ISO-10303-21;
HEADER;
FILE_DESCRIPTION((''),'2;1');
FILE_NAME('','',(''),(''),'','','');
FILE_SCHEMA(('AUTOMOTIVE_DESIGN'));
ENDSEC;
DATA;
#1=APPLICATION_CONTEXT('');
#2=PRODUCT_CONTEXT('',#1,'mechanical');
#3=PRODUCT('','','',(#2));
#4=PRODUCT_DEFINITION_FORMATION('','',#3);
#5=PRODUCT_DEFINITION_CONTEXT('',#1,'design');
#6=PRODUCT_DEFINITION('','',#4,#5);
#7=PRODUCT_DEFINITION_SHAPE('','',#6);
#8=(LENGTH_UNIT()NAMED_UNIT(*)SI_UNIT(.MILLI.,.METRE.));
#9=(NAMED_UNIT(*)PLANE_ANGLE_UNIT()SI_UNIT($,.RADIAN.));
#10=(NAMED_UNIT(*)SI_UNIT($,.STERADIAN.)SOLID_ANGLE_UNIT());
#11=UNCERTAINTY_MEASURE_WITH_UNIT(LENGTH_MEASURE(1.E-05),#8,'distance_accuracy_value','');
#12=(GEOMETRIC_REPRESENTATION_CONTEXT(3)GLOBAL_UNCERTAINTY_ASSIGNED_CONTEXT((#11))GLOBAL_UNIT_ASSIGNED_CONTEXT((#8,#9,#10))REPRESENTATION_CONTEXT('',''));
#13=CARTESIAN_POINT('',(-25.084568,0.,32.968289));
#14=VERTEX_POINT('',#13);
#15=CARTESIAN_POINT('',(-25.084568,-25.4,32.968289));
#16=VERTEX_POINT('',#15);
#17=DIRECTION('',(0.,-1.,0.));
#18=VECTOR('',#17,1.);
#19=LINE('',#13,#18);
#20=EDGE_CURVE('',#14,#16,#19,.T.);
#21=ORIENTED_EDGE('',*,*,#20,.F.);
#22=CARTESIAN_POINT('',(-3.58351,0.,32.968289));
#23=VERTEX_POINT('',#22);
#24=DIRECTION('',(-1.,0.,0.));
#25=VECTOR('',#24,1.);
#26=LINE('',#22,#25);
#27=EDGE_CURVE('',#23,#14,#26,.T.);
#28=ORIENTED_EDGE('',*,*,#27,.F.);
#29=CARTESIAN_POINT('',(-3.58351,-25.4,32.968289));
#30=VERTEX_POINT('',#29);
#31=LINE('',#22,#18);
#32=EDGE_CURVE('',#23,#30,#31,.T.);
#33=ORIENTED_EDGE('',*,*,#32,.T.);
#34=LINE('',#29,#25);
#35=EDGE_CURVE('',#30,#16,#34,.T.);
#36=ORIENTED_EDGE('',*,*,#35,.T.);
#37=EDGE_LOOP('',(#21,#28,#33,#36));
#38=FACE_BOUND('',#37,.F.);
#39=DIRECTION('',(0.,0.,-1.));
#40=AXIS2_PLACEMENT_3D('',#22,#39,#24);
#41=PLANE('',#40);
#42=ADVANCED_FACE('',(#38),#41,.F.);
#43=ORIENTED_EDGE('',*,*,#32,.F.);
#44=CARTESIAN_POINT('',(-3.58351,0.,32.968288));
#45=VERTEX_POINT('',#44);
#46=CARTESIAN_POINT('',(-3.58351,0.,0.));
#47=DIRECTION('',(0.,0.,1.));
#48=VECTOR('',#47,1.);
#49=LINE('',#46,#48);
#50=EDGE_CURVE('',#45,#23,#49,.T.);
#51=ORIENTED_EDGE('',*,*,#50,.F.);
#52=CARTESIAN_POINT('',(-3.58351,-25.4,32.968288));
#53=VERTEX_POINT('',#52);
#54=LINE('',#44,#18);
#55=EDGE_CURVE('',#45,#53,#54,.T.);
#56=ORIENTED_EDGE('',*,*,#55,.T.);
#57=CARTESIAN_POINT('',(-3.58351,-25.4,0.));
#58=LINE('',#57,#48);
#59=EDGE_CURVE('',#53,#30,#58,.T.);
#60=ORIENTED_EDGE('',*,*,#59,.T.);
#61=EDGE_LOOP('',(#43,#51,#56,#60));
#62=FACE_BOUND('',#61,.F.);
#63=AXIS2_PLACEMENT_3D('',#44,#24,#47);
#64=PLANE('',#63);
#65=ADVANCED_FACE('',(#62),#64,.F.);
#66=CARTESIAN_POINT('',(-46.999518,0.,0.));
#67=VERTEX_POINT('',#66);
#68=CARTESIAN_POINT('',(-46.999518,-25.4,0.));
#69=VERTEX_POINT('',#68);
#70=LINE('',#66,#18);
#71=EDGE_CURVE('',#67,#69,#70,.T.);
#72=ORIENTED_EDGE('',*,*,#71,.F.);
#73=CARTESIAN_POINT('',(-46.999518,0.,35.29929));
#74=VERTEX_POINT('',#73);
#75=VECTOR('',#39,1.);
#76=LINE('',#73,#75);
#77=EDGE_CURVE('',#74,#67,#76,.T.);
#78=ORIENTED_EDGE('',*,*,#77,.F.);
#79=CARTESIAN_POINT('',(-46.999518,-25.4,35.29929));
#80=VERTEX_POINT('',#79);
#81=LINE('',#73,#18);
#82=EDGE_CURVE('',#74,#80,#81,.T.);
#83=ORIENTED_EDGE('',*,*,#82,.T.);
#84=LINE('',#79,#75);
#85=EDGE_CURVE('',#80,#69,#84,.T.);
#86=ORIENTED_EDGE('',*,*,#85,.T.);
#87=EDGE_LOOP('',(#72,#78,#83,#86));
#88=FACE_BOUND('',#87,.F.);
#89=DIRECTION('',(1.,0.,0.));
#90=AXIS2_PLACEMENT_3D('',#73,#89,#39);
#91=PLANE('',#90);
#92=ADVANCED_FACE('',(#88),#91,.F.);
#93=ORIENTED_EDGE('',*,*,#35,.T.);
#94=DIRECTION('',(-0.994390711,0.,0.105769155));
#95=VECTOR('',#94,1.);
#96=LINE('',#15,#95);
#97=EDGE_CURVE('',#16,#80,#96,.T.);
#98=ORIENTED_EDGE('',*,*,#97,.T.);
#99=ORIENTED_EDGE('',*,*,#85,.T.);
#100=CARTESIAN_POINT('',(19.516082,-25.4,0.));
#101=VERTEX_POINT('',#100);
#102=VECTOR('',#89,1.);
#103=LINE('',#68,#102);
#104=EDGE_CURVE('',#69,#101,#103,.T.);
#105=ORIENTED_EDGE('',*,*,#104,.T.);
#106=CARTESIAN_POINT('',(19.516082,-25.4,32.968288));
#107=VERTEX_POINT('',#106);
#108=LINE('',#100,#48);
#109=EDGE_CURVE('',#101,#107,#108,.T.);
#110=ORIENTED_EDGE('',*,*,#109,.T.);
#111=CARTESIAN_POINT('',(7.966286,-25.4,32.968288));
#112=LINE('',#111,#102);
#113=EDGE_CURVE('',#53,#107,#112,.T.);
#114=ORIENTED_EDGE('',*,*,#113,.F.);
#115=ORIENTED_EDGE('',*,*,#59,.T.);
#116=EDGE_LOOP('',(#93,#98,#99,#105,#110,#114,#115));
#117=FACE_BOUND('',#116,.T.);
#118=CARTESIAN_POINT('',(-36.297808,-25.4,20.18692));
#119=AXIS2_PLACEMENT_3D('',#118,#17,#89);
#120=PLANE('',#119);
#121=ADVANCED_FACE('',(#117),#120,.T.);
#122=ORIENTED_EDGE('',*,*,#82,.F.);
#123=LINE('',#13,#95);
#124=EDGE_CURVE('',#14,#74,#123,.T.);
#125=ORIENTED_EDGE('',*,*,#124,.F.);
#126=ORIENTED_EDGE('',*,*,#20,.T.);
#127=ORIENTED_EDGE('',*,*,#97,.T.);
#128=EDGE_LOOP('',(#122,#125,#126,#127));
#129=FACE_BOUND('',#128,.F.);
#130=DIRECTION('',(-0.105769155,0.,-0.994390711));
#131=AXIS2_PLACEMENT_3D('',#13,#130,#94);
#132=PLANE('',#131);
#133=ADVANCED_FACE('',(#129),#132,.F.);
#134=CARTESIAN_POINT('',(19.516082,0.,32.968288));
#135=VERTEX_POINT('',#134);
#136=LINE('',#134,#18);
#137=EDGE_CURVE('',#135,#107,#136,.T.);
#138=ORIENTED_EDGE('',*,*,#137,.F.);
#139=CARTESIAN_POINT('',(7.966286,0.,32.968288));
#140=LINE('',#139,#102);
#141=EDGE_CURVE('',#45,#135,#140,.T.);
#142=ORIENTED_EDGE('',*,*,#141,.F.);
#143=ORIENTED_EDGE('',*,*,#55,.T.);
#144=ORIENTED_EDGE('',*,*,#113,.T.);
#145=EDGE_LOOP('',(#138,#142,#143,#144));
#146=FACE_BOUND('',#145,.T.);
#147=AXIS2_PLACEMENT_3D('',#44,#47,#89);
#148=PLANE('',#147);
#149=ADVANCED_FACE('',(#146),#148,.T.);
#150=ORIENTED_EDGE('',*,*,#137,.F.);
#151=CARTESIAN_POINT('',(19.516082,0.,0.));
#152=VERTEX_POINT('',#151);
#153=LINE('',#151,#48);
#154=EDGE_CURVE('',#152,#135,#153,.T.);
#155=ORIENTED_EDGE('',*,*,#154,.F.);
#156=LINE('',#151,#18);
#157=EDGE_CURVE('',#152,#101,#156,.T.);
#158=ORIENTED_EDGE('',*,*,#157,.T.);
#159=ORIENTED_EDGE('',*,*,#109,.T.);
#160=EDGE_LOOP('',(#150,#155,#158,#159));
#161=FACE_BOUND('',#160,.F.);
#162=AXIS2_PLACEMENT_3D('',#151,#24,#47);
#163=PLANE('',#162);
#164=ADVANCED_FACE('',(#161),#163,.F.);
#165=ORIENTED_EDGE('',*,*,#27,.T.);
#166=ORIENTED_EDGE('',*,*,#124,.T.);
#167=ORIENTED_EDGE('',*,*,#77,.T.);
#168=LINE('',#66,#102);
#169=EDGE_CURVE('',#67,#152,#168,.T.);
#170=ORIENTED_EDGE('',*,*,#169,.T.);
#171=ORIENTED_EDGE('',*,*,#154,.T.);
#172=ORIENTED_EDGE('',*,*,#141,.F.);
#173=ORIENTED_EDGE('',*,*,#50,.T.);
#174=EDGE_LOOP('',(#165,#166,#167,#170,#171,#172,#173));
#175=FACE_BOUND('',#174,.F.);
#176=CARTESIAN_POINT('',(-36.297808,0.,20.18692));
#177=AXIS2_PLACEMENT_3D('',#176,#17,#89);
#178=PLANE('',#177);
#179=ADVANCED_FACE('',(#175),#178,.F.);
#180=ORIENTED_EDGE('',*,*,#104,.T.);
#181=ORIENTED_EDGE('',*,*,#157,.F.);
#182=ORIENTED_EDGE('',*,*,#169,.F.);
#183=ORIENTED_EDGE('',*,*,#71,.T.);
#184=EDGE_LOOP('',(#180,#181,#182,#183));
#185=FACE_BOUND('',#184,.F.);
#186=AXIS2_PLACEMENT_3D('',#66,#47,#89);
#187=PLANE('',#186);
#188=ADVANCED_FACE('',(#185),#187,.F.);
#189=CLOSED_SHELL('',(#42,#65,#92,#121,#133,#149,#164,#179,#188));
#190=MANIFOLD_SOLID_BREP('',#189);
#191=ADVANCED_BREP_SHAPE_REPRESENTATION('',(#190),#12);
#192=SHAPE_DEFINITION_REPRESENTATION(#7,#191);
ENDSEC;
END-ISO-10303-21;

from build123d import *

# Parameters (mm, degrees)
F0_W     = 21.91495
F0_H     = 6.17824
F0_W_2   = 23.099592
F0_H_2   = 6.216454
F0_H_3   = 26.751835
F2_DEPTH = 25.4


with BuildPart() as f2:
    # F0 (on Front) → F2 (new body)
    with BuildSketch(Plane.XZ):
        Polygon((-25.084568, 6.17824), (-25.084568, 32.968289), (-46.999518, 35.29929), (-46.999518, 6.17824), align=None)
        Polygon((-3.58351, 32.968289), (-25.084568, 32.968289), (-25.084568, 6.17824), (-25.084568, 0), (-3.58351, 0), (-3.58351, 6.216454), align=None)
        with Locations((-36.042043, 3.08912)):
            Rectangle(F0_W, F0_H)
        with Locations((7.966286, 3.108227)):
            Rectangle(F0_W_2, F0_H_2)
        with Locations((7.966286, 19.592371)):
            Rectangle(F0_W_2, F0_H_3)
    extrude(amount=F2_DEPTH)


solid = f2.part
